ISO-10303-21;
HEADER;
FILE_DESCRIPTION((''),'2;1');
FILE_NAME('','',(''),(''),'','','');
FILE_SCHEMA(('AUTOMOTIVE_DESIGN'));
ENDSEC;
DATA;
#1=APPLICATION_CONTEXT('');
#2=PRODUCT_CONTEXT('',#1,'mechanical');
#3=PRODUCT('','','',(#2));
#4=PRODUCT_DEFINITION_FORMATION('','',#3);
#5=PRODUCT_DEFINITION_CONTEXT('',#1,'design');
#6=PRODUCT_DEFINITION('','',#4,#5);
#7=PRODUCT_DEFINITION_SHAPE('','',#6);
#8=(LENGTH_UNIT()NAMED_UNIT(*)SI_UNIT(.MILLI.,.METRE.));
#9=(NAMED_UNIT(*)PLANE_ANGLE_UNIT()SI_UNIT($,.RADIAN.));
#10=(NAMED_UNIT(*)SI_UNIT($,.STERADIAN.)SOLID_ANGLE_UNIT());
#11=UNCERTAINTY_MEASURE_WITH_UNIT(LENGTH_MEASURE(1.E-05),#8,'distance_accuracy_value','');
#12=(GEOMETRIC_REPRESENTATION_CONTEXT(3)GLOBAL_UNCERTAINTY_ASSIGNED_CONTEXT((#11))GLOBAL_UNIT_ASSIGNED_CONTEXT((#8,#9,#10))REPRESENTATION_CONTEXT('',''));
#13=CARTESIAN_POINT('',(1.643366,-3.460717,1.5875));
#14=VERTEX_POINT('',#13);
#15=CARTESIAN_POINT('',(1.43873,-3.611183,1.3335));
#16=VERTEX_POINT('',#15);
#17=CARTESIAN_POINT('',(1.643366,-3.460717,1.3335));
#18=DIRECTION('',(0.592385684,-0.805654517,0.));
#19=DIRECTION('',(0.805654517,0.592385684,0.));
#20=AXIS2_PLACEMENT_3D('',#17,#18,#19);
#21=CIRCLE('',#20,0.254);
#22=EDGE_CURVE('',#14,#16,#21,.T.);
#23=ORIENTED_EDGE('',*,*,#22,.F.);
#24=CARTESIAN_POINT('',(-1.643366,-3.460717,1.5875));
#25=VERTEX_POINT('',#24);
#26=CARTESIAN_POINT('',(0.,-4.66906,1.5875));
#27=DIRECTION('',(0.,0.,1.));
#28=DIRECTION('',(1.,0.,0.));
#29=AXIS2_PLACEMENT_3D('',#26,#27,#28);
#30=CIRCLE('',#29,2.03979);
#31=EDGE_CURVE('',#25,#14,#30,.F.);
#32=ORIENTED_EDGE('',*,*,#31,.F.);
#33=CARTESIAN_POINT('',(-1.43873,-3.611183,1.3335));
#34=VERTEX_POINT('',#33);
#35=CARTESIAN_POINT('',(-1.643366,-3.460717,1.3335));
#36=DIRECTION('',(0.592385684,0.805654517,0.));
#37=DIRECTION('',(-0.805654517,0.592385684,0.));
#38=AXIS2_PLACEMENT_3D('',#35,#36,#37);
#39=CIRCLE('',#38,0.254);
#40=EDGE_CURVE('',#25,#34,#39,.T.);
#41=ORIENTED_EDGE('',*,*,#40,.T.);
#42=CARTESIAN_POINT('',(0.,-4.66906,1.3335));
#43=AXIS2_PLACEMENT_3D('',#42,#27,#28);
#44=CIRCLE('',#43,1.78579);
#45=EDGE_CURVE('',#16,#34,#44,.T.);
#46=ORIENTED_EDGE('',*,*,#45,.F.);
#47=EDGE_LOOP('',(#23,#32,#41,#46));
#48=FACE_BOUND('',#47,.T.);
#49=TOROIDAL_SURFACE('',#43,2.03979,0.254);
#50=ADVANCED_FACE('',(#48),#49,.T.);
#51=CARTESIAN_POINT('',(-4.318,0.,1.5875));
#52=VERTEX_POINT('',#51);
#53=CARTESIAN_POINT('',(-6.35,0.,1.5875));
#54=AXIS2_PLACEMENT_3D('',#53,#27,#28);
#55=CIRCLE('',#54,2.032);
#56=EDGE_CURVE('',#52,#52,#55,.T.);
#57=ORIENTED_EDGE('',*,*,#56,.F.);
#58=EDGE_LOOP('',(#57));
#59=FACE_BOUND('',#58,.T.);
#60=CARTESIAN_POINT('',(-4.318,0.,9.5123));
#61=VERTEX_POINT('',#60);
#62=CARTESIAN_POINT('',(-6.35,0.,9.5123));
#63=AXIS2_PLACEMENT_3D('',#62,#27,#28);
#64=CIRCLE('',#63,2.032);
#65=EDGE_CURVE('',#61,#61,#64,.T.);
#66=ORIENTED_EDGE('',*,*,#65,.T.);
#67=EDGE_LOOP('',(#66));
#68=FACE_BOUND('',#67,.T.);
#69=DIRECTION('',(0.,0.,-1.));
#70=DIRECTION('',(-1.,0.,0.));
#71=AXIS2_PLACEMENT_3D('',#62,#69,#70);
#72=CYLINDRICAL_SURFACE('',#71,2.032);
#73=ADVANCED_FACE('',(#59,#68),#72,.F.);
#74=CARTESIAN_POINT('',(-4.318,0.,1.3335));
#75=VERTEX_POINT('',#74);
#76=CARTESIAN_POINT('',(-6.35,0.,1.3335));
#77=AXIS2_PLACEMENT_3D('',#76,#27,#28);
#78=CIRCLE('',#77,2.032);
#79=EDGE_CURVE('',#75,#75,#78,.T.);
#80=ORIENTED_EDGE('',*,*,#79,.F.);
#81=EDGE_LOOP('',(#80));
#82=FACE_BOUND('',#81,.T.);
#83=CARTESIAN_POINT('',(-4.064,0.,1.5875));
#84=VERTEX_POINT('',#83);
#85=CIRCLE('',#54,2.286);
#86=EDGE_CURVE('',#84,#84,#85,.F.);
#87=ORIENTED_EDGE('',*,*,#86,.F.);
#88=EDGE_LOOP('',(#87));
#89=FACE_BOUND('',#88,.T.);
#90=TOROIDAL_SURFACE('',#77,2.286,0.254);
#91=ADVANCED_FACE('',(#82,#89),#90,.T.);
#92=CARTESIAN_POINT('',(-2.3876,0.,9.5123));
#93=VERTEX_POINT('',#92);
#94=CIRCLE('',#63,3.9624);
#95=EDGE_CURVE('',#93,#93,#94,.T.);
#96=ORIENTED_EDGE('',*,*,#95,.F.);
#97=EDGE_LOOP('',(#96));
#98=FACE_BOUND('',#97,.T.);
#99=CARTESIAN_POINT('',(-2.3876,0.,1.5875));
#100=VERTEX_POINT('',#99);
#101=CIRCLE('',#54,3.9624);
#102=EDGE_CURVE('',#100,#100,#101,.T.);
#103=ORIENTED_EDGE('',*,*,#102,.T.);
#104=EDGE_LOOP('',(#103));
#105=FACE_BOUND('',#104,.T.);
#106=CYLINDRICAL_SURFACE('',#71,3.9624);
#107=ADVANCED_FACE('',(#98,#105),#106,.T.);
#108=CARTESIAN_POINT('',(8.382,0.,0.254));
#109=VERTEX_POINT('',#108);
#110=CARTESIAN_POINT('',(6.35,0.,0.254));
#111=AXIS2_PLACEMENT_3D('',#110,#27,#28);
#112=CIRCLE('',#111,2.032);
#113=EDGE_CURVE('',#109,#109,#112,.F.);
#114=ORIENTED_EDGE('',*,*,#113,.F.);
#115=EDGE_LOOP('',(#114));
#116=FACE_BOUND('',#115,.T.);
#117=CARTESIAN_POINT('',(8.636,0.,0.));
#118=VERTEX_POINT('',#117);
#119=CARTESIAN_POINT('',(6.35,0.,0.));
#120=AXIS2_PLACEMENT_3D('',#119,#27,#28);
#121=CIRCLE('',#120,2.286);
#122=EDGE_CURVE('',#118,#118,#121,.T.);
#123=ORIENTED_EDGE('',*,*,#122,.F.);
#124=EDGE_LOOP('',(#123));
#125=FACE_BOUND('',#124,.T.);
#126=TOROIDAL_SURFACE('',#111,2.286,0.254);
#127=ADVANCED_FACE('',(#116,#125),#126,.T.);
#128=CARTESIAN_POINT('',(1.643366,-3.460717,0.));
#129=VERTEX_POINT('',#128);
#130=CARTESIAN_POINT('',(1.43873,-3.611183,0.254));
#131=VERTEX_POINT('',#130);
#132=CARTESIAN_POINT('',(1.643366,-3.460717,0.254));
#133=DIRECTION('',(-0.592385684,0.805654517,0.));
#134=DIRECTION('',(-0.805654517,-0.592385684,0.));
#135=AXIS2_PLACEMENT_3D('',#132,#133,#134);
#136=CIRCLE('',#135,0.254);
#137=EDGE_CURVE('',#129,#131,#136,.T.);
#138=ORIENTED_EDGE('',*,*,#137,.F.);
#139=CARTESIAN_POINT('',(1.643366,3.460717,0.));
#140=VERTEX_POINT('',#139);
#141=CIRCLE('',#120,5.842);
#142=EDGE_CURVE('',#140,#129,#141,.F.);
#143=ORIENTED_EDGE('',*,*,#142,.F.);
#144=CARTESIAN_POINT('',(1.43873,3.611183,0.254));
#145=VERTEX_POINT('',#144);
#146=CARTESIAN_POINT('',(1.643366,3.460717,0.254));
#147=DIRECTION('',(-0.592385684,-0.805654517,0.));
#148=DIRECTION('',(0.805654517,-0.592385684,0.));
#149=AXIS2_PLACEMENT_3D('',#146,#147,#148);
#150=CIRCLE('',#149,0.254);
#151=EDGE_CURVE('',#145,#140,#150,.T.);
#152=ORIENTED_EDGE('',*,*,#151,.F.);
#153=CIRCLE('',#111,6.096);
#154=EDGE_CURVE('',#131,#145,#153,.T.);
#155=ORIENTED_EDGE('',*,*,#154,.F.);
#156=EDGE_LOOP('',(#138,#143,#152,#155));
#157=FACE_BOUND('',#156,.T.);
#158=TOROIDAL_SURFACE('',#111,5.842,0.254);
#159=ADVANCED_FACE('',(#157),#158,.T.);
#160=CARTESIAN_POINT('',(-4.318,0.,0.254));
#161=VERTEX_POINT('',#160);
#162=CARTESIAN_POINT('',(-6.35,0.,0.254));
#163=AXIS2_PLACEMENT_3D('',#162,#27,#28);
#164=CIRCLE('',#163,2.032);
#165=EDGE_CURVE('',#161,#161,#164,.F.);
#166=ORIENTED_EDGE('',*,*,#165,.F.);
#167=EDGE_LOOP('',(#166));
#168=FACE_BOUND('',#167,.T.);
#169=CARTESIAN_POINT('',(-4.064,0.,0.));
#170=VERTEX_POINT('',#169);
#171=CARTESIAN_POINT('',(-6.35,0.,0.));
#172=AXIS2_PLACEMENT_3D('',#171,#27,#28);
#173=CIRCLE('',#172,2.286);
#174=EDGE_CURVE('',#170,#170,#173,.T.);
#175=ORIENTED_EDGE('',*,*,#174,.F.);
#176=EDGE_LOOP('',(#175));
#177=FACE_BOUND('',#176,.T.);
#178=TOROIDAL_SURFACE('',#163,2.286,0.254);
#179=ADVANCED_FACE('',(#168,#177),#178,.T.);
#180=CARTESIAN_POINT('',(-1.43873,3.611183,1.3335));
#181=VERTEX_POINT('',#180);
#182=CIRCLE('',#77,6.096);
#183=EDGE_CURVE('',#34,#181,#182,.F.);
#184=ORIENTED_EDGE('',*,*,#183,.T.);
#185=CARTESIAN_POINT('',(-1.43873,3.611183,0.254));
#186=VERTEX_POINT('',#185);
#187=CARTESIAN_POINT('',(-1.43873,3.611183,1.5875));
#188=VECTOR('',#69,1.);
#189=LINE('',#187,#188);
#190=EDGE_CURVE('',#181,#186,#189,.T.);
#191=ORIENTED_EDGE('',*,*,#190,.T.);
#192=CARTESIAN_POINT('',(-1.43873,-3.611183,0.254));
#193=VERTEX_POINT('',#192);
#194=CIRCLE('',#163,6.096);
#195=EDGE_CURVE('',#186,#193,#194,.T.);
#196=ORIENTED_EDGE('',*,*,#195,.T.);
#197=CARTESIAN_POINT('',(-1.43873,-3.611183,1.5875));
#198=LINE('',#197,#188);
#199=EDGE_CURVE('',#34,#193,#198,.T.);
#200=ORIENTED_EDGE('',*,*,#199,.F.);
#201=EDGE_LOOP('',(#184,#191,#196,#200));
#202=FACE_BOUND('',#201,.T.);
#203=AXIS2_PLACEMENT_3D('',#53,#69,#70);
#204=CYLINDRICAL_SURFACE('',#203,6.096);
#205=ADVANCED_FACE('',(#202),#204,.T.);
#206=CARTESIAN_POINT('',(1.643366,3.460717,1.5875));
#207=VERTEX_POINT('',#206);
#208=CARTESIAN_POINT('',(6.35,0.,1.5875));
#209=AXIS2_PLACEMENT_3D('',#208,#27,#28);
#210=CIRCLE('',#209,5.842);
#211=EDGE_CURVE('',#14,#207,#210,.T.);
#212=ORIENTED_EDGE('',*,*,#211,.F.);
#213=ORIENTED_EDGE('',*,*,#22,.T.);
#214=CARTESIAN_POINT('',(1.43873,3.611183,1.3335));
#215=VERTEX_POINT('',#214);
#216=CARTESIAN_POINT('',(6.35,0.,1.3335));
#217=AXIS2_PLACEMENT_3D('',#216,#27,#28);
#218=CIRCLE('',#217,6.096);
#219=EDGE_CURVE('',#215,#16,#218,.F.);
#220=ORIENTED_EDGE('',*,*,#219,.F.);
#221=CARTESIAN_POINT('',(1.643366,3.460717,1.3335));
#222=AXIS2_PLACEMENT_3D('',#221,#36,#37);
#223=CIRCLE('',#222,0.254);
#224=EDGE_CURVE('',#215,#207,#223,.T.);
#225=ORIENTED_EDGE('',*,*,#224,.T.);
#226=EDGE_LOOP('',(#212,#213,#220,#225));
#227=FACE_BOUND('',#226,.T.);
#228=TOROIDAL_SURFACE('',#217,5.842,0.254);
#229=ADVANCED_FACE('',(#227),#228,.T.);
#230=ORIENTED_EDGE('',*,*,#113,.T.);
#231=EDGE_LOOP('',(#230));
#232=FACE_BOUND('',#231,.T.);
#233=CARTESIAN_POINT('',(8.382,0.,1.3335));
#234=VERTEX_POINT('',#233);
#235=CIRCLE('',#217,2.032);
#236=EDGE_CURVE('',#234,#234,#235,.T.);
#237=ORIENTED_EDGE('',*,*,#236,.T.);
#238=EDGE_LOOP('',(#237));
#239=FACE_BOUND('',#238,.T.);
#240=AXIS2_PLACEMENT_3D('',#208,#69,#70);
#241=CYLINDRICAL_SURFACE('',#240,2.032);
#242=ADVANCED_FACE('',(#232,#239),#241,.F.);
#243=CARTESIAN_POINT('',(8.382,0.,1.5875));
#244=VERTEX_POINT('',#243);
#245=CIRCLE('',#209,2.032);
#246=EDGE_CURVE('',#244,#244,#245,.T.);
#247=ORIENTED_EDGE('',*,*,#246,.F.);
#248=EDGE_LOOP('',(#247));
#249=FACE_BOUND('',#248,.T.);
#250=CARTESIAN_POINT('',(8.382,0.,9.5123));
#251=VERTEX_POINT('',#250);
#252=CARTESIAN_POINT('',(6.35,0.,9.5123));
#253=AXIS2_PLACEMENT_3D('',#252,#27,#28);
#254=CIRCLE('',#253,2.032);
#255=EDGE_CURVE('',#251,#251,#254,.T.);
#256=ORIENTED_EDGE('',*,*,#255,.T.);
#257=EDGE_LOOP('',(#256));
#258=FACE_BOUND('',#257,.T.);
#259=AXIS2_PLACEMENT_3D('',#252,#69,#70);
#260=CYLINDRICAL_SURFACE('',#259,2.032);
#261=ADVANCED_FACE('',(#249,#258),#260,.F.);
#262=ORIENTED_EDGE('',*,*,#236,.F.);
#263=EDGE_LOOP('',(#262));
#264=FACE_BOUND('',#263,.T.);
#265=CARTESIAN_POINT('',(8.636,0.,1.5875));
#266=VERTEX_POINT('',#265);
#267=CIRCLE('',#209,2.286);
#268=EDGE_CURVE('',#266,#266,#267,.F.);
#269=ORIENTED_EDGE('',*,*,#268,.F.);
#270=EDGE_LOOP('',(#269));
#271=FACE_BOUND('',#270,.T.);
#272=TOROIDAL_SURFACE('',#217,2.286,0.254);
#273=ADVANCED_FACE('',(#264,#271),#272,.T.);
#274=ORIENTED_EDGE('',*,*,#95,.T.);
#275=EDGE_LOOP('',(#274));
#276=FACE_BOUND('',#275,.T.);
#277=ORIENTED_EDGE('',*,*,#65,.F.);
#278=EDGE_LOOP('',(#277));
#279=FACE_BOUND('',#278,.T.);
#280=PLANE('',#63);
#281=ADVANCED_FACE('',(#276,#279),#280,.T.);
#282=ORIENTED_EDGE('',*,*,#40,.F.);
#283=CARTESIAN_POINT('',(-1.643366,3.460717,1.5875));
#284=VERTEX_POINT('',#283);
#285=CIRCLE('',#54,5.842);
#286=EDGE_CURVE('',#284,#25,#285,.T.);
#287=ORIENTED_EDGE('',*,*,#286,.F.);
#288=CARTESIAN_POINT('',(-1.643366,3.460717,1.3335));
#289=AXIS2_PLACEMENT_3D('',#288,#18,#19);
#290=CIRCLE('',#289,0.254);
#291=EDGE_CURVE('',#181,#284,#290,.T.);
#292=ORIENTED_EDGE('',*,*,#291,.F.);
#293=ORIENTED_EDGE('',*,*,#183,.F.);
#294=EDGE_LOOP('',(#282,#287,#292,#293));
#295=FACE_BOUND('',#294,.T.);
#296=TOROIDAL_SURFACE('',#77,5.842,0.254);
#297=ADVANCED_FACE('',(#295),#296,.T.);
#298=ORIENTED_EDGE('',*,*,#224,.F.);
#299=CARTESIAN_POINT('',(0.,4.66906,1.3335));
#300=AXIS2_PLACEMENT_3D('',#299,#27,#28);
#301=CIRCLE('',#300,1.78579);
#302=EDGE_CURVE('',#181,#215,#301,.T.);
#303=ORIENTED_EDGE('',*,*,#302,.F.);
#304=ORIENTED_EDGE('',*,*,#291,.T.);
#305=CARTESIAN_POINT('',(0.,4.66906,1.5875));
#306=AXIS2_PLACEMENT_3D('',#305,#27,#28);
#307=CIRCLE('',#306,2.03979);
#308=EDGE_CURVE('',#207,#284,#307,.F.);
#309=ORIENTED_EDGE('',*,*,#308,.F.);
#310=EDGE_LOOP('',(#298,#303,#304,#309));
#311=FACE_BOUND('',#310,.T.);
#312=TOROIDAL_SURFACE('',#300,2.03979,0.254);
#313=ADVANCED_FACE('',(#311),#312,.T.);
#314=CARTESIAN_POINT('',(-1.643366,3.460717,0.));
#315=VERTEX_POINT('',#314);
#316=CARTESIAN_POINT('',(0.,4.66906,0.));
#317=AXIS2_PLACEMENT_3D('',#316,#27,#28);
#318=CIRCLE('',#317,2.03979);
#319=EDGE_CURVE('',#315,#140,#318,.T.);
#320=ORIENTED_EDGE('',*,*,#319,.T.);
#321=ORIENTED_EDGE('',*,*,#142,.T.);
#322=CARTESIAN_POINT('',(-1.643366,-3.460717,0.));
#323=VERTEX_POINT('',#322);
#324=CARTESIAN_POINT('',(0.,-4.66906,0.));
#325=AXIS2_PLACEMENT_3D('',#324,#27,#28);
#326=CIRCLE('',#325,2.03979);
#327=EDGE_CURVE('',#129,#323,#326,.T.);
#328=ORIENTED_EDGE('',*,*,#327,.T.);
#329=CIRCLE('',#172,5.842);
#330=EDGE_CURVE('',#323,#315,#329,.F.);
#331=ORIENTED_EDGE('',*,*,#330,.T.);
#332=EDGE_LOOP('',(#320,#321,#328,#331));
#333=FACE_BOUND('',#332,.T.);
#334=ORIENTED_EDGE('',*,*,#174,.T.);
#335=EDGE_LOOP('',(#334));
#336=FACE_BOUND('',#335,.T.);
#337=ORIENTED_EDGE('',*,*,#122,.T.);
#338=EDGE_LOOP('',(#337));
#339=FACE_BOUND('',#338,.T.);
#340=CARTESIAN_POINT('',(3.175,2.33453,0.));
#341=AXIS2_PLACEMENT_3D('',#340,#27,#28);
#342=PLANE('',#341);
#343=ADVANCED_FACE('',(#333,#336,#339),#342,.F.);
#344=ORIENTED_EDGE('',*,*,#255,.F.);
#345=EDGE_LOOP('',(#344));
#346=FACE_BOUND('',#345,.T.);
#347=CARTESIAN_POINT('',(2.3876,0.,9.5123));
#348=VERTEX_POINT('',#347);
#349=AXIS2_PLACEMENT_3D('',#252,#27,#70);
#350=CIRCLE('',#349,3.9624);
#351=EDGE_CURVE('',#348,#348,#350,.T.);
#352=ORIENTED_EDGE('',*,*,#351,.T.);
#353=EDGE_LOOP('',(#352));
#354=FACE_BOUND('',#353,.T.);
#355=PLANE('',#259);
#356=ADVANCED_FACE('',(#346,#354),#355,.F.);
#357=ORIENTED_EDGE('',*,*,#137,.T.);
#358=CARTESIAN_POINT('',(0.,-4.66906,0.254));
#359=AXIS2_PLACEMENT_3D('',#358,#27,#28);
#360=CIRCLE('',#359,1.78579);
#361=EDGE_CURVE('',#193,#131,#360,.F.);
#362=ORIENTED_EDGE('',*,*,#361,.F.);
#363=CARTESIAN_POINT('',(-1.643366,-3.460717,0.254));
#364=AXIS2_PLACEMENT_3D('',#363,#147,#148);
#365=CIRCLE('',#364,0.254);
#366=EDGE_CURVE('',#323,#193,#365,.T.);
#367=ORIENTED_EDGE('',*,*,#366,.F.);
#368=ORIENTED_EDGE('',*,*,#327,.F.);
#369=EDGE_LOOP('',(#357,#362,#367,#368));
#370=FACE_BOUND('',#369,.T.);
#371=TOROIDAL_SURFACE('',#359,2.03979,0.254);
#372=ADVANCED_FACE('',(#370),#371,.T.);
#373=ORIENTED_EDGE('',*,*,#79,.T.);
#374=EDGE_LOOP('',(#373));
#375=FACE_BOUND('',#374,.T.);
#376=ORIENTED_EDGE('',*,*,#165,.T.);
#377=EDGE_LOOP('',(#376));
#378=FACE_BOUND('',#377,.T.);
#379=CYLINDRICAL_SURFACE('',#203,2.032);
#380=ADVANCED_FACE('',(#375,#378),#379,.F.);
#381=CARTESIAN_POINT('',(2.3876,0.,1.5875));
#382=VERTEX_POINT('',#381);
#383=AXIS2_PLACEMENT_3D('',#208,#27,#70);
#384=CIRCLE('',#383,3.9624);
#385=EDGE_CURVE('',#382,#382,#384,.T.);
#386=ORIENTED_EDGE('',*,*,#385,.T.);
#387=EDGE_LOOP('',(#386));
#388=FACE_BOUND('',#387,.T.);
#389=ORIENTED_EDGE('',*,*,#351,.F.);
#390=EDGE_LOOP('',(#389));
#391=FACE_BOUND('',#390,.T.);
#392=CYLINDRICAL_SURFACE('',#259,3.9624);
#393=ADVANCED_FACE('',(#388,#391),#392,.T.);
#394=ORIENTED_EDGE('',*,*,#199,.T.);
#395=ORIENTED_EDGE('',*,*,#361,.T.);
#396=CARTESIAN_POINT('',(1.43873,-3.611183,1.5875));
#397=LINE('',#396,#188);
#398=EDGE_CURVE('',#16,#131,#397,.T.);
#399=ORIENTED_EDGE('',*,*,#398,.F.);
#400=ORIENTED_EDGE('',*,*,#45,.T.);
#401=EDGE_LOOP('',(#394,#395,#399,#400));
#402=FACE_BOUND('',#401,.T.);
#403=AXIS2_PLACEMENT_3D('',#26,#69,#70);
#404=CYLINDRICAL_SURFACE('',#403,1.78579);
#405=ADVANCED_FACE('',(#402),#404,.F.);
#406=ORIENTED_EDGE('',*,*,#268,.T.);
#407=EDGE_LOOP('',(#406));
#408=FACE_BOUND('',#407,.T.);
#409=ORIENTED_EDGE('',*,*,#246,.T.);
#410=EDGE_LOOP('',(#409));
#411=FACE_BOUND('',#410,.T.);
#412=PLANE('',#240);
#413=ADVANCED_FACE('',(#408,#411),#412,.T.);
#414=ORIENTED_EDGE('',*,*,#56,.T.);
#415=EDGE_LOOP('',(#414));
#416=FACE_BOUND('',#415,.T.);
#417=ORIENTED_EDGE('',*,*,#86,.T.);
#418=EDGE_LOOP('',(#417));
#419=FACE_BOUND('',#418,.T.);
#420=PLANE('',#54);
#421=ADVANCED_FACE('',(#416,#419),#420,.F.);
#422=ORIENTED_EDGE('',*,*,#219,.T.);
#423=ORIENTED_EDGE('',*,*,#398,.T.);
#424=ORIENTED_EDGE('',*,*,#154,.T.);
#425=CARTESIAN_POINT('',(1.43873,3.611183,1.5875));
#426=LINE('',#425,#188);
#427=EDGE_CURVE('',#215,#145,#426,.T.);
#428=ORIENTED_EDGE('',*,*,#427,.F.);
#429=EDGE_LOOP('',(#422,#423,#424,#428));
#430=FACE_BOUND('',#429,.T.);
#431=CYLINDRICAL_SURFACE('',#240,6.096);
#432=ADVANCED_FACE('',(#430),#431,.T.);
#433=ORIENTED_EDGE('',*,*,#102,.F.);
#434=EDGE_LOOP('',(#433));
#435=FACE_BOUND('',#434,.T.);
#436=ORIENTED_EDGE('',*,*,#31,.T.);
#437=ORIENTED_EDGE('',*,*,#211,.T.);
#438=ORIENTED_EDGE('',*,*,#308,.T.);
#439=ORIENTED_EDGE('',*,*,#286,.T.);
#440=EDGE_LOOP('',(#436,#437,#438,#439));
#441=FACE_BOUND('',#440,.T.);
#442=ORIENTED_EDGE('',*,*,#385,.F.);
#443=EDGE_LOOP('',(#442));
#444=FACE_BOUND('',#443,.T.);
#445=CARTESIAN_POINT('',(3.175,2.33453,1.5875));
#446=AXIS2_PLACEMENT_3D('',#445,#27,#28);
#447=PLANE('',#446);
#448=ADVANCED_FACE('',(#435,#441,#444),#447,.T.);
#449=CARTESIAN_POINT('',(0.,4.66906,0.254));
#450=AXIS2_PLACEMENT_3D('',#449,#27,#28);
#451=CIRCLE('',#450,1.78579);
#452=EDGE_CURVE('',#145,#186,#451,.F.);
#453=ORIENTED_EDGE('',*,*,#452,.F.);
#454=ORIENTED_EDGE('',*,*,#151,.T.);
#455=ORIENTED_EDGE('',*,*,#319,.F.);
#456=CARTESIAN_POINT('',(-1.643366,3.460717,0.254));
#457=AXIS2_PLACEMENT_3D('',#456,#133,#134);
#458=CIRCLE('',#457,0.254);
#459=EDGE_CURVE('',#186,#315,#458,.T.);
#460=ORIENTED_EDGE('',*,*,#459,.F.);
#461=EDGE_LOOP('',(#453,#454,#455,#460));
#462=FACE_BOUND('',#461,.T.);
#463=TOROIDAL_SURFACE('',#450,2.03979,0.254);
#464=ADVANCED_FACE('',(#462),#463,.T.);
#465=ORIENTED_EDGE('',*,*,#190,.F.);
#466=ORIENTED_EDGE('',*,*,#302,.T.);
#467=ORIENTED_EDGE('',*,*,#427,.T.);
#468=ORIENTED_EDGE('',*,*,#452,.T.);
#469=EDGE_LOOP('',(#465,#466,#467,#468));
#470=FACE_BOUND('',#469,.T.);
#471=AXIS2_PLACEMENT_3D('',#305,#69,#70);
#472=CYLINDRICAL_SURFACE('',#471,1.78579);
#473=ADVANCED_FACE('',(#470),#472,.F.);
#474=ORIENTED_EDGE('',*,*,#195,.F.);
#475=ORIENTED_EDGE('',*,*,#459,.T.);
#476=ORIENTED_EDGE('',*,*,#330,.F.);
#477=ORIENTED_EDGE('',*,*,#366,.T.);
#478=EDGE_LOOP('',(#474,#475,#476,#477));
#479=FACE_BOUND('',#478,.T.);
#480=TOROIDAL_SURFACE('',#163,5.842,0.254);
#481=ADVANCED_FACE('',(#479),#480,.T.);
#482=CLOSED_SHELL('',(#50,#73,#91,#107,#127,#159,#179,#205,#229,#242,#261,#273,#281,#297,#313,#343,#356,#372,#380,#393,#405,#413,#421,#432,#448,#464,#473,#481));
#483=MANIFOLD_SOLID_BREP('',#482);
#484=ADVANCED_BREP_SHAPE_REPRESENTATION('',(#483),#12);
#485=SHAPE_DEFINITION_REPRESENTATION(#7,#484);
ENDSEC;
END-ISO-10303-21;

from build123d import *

# Parameters (mm, degrees)
SKETCH1_R           = 2.032
BOSS_EXTRUDE1_DEPTH = 1.5875
FILLET1_R           = 0.254
SKETCH5_R           = 3.9624
SKETCH5_R_2         = 2.032
BOSS_EXTRUDE3_DEPTH = 7.9248


with BuildPart() as part:
    # Sketch1 → Boss-Extrude1 (new body)
    with BuildSketch(Plane.XY):
        with BuildLine():
            ThreePointArc((-1.438730062, 3.61118313), (-12.446, 0), (-1.438730062, -3.61118313))
            ThreePointArc((-1.438730062, -3.61118313), (0, -2.883269418), (1.438730062, -3.61118313))
            ThreePointArc((1.438730062, -3.61118313), (12.446, 0), (1.438730062, 3.61118313))
            ThreePointArc((1.438730062, 3.61118313), (0, 2.883269418), (-1.438730062, 3.61118313))
        make_face()
        with Locations((-6.35, 0)):
            Circle(SKETCH1_R, mode=Mode.SUBTRACT)
        with Locations(Location((6.35, 0, 0), (0, 0, 180))):
            Circle(SKETCH1_R, mode=Mode.SUBTRACT)
    extrude(amount=BOSS_EXTRUDE1_DEPTH)

    # Fillet1
    fillet1_edges = [part.edges().sort_by_distance(p)[0] for p in [
        (-8.382, 0, 0),
        (-8.382, 0, 1.5875),
        (0, -2.883269418, 1.5875),
        (8.382, 0, 0),
        (8.382, 0, 1.5875),
        (12.446, 0, 1.5875),
        (0, 2.883269418, 1.5875),
        (12.446, 0, 0),
        (0, -2.883269418, 0),
        (-12.446, 0, 0),
        (0, 2.883269418, 0),
        (-12.446, 0, 1.5875),
    ]]
    fillet(fillet1_edges, radius=FILLET1_R)

    # Sketch5 → Boss-Extrude3 (add)
    # profile 1 of 2: a face of its own
    with BuildSketch(Plane.XY.offset(1.5875)):
        with Locations((-6.35, 0)):
            Circle(SKETCH5_R)
        with Locations((-6.35, 0)):
            Circle(SKETCH5_R_2, mode=Mode.SUBTRACT)
    # profile 2 of 2: a face of its own
    with BuildSketch(Plane.XY.offset(1.5875)):
        with Locations(Location((6.35, 0, 0), (0, 0, 180))):
            Circle(SKETCH5_R)
        with Locations((6.35, 0)):
            Circle(SKETCH5_R_2, mode=Mode.SUBTRACT)
    extrude(amount=BOSS_EXTRUDE3_DEPTH)


solid = part.part
